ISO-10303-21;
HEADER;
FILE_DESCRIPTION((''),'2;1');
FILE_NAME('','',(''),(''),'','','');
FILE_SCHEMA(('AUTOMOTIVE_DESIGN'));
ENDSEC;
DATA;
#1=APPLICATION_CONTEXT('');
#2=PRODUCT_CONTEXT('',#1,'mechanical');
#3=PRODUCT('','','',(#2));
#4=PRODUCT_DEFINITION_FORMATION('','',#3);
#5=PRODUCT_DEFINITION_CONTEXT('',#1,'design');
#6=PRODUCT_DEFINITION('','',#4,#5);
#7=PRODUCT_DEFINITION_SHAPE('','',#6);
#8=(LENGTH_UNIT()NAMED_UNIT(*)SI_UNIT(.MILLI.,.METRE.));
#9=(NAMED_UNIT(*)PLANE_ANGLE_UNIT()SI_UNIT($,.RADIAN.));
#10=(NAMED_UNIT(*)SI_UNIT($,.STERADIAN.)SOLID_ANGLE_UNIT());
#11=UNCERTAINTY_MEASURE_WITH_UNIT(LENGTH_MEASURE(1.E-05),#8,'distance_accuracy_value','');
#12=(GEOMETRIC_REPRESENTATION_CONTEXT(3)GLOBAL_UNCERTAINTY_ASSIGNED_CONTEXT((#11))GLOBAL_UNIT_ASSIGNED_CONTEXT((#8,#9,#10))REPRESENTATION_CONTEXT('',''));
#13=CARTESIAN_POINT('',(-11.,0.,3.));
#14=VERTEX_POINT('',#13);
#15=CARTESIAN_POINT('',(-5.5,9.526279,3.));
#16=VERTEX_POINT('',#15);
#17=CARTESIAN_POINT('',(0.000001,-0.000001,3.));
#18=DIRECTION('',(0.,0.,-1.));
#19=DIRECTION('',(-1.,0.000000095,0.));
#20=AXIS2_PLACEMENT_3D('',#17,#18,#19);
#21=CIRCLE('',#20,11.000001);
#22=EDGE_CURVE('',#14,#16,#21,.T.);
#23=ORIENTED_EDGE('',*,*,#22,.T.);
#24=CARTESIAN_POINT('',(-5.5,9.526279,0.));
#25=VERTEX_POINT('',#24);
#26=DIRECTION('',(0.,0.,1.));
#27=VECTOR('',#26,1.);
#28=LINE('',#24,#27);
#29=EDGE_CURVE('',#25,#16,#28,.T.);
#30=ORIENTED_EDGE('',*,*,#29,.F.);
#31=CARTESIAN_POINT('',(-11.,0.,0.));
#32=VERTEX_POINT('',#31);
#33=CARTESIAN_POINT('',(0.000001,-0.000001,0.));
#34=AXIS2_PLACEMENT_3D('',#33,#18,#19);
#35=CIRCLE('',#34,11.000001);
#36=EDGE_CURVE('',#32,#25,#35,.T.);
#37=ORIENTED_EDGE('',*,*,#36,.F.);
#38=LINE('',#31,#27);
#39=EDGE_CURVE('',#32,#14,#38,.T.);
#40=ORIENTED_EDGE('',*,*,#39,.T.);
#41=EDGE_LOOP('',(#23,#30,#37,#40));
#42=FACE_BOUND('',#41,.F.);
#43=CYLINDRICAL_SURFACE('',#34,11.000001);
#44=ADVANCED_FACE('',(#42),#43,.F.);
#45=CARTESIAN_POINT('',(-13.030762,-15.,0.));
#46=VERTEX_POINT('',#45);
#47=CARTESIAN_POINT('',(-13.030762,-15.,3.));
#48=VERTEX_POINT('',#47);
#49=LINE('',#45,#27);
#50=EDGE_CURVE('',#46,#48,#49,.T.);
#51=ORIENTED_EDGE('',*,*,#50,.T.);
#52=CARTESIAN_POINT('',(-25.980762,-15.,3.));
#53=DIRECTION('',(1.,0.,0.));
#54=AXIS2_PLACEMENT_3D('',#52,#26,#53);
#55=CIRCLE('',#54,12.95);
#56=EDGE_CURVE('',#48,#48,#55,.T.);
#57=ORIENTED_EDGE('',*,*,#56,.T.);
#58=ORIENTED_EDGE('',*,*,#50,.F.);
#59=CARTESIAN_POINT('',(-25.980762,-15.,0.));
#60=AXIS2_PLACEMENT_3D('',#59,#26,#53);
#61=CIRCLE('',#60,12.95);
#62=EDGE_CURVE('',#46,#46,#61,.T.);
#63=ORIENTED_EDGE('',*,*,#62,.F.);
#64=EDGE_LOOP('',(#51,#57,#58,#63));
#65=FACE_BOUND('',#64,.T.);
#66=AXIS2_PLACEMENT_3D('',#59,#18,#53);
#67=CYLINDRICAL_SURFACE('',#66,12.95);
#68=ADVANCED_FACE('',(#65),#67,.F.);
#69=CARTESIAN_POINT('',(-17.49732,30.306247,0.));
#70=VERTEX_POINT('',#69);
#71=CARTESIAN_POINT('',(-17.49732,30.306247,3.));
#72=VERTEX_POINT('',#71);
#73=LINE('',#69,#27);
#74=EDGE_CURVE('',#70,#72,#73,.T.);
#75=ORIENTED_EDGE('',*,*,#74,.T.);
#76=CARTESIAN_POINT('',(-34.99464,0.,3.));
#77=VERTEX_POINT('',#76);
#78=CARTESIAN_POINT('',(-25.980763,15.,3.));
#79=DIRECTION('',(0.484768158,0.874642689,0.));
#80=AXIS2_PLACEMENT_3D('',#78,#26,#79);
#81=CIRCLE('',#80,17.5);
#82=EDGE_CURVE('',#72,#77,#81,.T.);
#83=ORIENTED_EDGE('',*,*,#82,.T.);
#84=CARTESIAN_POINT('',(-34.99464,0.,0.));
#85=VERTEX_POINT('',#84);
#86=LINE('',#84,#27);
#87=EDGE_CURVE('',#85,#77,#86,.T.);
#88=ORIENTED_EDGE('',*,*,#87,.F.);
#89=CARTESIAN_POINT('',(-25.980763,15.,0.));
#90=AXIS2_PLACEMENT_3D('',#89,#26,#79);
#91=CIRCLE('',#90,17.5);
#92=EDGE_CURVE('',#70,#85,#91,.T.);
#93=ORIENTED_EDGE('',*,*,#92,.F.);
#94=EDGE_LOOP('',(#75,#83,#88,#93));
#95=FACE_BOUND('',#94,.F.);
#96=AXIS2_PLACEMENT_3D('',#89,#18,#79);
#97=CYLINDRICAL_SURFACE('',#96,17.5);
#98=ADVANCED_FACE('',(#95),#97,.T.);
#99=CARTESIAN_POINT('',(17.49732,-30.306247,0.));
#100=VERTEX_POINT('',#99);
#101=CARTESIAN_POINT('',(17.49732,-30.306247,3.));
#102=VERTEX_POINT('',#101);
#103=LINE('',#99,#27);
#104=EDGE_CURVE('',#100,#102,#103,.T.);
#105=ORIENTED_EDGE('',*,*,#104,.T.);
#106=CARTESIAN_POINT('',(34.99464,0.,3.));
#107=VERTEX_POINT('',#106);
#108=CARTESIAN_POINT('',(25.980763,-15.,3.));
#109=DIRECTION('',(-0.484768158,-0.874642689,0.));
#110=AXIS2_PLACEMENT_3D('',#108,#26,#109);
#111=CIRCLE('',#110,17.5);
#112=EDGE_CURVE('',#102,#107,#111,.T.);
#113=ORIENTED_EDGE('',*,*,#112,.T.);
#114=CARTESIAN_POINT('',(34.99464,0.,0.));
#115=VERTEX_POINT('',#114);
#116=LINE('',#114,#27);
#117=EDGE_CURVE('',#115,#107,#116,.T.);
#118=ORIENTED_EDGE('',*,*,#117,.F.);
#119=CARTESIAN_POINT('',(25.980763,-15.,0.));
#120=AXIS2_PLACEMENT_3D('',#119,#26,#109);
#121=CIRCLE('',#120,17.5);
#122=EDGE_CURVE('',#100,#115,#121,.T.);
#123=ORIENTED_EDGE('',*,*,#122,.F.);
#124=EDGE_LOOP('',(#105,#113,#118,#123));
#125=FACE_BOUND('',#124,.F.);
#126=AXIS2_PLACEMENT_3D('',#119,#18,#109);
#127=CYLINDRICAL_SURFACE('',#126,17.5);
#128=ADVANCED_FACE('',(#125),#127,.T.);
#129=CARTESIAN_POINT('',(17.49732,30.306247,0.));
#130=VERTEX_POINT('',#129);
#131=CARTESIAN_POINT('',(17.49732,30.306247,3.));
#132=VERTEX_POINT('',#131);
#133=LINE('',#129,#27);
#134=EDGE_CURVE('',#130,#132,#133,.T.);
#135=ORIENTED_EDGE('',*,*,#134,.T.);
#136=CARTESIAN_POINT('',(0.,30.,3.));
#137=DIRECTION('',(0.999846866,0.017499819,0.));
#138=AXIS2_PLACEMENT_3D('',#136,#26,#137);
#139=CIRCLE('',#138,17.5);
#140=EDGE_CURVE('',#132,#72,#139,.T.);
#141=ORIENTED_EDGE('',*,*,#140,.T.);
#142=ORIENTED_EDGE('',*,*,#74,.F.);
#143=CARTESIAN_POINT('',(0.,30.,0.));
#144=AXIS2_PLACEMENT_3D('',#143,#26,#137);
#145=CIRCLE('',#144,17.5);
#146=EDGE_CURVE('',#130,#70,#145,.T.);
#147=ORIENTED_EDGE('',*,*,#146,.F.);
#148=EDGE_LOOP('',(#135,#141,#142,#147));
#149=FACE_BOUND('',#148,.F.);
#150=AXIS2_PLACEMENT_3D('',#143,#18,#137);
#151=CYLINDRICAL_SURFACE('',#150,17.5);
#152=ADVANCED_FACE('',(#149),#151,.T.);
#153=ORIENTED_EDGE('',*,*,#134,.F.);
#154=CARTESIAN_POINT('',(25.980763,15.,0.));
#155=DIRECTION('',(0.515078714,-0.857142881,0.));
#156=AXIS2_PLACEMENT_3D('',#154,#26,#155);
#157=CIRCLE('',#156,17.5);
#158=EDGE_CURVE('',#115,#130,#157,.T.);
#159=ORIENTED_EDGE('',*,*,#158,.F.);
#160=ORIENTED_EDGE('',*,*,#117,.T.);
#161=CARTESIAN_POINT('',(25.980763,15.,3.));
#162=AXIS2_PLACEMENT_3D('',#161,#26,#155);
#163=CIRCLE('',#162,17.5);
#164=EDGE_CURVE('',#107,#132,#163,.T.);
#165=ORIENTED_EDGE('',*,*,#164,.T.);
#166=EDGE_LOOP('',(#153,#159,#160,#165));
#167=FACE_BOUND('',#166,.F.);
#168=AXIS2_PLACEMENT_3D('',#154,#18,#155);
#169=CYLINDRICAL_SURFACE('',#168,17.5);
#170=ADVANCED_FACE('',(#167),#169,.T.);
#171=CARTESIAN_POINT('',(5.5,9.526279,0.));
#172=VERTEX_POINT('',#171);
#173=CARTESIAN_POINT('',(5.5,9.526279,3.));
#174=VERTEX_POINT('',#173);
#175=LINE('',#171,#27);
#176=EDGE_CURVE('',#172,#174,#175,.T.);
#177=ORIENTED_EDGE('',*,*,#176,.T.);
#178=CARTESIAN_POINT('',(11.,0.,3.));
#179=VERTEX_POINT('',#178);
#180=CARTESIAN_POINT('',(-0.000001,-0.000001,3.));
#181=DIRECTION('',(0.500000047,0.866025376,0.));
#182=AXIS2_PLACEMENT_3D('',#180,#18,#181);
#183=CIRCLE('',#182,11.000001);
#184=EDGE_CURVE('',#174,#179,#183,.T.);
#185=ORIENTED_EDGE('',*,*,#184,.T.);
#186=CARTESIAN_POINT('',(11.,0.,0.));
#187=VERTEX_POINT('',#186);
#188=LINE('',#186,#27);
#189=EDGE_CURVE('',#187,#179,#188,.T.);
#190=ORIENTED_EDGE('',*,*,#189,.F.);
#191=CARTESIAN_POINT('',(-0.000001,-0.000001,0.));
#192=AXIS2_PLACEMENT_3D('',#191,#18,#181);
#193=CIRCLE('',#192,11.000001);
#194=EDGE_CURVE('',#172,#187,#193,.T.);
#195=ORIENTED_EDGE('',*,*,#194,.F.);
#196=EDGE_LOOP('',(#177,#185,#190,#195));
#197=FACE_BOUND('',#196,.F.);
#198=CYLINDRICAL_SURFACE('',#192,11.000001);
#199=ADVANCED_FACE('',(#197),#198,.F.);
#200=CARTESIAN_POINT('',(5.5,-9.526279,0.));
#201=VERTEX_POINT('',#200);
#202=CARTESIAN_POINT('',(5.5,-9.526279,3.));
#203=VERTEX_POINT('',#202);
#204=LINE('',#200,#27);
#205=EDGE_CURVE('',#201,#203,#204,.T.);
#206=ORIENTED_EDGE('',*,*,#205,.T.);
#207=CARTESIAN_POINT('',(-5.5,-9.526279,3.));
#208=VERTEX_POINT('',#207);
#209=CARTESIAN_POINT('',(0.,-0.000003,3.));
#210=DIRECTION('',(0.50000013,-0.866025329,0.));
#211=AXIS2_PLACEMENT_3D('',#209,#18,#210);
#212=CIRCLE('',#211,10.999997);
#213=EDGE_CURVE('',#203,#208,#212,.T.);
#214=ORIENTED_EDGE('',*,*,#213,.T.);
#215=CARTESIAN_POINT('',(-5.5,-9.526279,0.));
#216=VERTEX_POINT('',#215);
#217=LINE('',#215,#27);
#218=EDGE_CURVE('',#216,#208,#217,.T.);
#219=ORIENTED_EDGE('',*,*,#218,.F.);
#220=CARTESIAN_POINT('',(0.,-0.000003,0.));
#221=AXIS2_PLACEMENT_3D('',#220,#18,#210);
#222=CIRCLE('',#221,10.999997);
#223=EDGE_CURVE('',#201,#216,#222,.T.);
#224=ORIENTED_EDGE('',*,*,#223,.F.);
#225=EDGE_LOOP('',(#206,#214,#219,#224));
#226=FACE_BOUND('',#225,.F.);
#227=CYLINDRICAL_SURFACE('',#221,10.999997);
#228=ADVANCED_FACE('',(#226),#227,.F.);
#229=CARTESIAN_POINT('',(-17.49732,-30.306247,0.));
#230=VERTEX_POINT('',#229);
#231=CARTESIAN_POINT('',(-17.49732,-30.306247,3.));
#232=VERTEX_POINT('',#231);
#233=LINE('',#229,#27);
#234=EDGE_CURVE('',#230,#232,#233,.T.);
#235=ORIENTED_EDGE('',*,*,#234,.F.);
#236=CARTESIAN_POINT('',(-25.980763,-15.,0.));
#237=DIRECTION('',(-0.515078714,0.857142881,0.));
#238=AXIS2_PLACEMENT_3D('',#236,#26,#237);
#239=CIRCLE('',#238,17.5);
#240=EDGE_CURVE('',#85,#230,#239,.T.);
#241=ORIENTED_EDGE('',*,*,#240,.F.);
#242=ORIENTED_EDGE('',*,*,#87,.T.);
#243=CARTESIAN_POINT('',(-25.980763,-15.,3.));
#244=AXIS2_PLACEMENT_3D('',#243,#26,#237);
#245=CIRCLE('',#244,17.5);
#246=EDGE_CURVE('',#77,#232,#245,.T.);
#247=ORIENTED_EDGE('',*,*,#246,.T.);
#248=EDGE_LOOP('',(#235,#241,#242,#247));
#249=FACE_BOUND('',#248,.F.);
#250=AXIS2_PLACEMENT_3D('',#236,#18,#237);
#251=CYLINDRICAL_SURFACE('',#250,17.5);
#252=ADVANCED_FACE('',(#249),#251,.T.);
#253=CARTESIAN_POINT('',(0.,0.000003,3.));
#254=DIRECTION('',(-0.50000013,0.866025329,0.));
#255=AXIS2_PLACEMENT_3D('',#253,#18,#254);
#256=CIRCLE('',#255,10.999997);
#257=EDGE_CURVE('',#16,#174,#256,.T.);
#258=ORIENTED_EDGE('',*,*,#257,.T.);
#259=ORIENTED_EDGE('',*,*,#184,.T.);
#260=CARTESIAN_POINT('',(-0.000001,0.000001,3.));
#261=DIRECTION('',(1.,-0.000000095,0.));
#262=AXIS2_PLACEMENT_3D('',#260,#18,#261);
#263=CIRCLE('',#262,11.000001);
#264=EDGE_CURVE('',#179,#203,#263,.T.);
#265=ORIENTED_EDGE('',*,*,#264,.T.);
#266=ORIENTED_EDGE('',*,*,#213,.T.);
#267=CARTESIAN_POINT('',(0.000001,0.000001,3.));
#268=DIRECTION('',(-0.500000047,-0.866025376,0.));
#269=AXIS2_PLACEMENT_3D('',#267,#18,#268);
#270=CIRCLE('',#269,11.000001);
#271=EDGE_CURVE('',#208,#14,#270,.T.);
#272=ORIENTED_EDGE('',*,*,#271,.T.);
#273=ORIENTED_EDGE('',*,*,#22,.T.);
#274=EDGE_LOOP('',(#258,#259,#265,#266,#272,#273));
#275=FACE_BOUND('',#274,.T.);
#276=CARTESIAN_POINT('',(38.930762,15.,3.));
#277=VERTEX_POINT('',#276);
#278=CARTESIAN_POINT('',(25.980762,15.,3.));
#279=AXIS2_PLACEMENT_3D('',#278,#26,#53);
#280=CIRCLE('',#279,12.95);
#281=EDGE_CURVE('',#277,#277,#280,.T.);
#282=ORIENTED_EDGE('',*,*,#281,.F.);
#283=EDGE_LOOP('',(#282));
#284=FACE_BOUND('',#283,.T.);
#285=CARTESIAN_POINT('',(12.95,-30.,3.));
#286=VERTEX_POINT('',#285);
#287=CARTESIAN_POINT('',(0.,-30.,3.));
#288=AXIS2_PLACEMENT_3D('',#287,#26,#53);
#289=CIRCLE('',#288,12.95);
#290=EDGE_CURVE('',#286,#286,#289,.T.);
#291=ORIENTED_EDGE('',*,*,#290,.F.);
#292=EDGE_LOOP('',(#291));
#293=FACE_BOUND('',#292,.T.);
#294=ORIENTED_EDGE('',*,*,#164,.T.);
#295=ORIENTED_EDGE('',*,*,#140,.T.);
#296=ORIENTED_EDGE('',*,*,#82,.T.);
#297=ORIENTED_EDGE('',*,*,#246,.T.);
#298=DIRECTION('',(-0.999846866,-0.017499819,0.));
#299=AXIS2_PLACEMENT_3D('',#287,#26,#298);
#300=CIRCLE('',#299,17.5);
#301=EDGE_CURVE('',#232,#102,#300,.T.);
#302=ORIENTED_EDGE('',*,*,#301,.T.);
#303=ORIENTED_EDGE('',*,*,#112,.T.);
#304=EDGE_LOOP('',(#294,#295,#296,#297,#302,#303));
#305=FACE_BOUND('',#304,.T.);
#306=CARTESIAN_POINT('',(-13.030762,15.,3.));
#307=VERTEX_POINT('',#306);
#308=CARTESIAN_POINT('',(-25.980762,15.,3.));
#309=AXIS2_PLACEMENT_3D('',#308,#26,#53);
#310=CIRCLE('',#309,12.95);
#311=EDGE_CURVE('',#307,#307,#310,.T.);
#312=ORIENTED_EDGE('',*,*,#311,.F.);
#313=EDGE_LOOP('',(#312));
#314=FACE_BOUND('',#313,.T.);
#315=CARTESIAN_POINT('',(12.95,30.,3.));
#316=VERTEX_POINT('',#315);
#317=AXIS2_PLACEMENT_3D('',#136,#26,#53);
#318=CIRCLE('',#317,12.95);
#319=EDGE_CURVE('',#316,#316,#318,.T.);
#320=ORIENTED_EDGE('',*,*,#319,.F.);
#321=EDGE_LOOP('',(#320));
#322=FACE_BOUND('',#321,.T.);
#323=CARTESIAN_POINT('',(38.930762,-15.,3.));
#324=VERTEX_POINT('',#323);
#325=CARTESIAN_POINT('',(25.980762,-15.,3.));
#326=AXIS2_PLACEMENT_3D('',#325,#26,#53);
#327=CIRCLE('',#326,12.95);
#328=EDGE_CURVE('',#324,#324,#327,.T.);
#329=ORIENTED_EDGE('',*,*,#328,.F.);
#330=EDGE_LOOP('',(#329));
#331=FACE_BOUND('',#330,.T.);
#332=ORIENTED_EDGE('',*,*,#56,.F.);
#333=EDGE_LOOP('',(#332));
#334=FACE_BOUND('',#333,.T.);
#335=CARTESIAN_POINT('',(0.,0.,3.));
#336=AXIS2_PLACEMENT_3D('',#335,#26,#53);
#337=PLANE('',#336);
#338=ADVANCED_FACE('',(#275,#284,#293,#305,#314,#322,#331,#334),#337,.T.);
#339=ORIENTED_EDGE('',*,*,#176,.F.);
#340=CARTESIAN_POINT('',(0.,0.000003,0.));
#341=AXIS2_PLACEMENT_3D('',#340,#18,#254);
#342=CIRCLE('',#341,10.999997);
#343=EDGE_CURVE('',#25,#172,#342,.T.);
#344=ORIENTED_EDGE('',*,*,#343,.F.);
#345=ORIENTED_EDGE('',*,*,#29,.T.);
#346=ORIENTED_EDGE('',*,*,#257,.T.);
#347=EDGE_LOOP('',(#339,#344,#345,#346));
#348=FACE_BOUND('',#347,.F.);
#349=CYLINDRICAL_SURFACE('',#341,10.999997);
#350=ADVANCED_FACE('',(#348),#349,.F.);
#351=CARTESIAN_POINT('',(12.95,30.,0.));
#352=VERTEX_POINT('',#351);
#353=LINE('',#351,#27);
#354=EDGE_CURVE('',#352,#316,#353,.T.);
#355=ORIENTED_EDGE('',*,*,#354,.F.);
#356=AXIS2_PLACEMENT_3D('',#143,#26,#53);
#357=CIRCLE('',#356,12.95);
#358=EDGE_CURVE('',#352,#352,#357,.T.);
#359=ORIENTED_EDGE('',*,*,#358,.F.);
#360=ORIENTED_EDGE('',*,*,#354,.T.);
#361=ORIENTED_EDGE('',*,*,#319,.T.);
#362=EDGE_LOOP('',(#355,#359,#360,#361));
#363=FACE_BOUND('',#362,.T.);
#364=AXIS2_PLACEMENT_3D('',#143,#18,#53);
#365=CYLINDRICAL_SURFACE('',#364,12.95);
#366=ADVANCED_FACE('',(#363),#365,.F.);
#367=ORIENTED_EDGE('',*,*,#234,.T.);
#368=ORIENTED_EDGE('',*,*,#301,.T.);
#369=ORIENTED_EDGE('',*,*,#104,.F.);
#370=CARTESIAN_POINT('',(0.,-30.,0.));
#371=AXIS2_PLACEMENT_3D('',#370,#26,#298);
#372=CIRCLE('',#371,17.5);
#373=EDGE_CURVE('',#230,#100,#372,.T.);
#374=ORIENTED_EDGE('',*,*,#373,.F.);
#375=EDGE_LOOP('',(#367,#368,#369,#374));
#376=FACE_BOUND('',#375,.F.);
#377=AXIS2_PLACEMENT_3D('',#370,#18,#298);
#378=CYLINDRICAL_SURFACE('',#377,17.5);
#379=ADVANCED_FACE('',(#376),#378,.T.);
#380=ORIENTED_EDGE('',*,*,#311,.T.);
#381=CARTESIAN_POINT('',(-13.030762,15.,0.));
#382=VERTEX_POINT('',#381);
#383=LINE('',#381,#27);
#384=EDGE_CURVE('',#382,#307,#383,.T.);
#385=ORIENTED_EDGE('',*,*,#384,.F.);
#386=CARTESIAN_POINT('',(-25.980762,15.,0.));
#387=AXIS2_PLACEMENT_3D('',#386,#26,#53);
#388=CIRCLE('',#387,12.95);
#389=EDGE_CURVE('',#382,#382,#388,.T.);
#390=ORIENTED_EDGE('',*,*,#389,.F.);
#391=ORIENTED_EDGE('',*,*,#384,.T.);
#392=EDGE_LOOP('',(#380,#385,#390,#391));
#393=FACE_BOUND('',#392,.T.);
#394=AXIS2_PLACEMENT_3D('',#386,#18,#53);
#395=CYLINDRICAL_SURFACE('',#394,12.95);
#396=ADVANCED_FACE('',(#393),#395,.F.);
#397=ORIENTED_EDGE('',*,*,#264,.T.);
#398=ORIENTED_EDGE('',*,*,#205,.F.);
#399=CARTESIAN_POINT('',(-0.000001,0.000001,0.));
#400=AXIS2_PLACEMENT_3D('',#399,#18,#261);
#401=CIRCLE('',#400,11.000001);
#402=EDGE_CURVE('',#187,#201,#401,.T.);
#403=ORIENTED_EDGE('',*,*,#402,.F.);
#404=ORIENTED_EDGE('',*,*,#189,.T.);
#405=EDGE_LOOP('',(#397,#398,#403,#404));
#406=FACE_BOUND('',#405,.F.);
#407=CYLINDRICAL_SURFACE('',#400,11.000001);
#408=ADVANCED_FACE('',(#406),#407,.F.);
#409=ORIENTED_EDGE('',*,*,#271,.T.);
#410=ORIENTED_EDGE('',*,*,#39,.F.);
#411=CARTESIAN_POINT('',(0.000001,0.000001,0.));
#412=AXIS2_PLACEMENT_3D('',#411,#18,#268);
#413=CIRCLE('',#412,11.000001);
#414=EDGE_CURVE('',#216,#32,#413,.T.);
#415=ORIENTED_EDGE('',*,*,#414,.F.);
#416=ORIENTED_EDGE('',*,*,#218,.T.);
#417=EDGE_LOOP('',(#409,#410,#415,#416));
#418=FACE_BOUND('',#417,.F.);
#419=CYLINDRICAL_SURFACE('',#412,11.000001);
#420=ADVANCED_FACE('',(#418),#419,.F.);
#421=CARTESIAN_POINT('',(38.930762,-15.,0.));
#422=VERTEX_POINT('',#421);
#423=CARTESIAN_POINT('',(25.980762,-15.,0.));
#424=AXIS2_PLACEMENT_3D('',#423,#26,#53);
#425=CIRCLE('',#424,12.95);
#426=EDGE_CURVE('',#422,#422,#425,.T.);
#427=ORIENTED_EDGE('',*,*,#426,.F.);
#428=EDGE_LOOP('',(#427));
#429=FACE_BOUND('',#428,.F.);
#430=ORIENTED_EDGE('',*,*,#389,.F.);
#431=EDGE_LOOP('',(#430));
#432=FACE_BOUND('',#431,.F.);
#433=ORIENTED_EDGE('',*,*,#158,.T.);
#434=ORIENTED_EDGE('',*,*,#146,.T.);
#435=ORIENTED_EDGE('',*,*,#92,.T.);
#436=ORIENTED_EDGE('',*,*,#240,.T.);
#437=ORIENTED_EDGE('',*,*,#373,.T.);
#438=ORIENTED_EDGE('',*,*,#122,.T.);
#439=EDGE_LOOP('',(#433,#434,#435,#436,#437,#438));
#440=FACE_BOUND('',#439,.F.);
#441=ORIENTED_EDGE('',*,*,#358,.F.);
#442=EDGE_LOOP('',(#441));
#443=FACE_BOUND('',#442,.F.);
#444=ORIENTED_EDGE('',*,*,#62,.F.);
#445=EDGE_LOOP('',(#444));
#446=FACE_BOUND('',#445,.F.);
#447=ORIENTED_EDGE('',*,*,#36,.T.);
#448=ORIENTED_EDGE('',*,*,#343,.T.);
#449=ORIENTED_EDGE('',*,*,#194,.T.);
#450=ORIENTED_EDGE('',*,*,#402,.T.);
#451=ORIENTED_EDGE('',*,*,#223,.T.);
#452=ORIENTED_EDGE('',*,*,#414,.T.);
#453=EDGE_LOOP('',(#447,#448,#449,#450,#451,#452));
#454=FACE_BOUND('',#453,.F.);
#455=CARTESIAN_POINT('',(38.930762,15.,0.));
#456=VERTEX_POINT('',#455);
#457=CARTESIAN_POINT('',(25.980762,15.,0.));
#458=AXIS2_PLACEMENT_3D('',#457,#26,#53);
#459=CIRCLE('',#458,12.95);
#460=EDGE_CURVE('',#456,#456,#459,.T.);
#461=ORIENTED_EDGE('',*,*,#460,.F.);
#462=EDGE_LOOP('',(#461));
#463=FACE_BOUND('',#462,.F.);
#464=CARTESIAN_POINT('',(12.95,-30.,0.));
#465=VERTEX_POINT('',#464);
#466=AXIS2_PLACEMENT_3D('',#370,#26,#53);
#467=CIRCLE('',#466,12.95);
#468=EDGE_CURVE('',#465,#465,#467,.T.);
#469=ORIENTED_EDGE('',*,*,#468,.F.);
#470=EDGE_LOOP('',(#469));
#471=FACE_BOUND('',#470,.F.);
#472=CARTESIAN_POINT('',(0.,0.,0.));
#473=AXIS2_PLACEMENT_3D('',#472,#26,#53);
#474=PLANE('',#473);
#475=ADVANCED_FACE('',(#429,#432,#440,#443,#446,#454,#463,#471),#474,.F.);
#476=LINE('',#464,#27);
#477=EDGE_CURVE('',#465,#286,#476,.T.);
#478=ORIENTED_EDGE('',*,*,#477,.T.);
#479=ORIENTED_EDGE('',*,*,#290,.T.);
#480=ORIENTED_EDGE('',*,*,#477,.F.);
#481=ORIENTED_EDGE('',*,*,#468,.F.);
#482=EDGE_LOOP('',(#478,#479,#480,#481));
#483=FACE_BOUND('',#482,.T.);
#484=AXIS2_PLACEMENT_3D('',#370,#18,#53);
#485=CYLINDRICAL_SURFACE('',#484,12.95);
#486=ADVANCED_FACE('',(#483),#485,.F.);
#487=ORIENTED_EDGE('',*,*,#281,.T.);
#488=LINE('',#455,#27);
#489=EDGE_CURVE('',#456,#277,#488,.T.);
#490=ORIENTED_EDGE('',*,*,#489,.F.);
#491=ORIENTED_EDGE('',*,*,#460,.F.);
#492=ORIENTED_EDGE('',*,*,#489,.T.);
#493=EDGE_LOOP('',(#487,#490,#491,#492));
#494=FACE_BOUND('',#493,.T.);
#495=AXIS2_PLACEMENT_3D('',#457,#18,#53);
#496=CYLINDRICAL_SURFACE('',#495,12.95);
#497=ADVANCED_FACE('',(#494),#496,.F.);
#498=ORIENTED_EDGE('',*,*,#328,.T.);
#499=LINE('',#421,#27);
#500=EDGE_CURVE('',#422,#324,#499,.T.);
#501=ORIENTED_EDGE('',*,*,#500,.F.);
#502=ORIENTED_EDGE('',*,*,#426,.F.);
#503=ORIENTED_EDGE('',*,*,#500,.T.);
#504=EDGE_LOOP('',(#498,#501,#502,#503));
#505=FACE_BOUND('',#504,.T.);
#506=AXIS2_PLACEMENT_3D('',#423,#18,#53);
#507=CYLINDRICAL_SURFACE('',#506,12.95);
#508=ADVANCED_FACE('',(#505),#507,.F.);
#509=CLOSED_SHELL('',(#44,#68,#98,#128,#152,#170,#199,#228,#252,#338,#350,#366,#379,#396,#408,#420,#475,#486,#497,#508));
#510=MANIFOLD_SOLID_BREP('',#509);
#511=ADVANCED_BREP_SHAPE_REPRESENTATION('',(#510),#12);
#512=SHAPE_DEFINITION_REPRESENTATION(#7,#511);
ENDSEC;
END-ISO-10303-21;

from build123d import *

# Parameters (mm, degrees)
F0_R     = 12.95
F1_DEPTH = 3


with BuildPart() as f1:
    # F0 (on Top) → F1 (new body)
    with BuildSketch(Plane.XY):
        with BuildLine():
            ThreePointArc((34.99464, 0), (41.136207, 23.75), (17.49732, 30.306247))
            ThreePointArc((17.49732, 30.306247), (0, 47.5), (-17.49732, 30.306247))
            ThreePointArc((-17.49732, 30.306247), (-41.136207, 23.75), (-34.99464, 0))
            ThreePointArc((-34.99464, 0), (-41.136207, -23.75), (-17.49732, -30.306247))
            ThreePointArc((-17.49732, -30.306247), (0, -47.5), (17.49732, -30.306247))
            ThreePointArc((17.49732, -30.306247), (41.136207, -23.75), (34.99464, 0))
        make_face()
        with Locations((-25.980762, -15)):
            Circle(F0_R, mode=Mode.SUBTRACT)
        with Locations((0, -30)):
            Circle(F0_R, mode=Mode.SUBTRACT)
        with Locations((25.980762, -15)):
            Circle(F0_R, mode=Mode.SUBTRACT)
        with Locations((-25.980762, 15)):
            Circle(F0_R, mode=Mode.SUBTRACT)
        with BuildLine():
            ThreePointArc((-5.5, 9.526279), (0, 11), (5.5, 9.526279))
            ThreePointArc((5.5, 9.526279), (9.526279, 5.5), (11, 0))
            ThreePointArc((11, 0), (9.526279, -5.5), (5.5, -9.526279))
            ThreePointArc((5.5, -9.526279), (0, -11), (-5.5, -9.526279))
            ThreePointArc((-5.5, -9.526279), (-9.526279, -5.5), (-11, 0))
            ThreePointArc((-11, 0), (-9.526279, 5.5), (-5.5, 9.526279))
        make_face(mode=Mode.SUBTRACT)
        with Locations((25.980762, 15)):
            Circle(F0_R, mode=Mode.SUBTRACT)
        with Locations((0, 30)):
            Circle(F0_R, mode=Mode.SUBTRACT)
    extrude(amount=F1_DEPTH)


solid = f1.part
